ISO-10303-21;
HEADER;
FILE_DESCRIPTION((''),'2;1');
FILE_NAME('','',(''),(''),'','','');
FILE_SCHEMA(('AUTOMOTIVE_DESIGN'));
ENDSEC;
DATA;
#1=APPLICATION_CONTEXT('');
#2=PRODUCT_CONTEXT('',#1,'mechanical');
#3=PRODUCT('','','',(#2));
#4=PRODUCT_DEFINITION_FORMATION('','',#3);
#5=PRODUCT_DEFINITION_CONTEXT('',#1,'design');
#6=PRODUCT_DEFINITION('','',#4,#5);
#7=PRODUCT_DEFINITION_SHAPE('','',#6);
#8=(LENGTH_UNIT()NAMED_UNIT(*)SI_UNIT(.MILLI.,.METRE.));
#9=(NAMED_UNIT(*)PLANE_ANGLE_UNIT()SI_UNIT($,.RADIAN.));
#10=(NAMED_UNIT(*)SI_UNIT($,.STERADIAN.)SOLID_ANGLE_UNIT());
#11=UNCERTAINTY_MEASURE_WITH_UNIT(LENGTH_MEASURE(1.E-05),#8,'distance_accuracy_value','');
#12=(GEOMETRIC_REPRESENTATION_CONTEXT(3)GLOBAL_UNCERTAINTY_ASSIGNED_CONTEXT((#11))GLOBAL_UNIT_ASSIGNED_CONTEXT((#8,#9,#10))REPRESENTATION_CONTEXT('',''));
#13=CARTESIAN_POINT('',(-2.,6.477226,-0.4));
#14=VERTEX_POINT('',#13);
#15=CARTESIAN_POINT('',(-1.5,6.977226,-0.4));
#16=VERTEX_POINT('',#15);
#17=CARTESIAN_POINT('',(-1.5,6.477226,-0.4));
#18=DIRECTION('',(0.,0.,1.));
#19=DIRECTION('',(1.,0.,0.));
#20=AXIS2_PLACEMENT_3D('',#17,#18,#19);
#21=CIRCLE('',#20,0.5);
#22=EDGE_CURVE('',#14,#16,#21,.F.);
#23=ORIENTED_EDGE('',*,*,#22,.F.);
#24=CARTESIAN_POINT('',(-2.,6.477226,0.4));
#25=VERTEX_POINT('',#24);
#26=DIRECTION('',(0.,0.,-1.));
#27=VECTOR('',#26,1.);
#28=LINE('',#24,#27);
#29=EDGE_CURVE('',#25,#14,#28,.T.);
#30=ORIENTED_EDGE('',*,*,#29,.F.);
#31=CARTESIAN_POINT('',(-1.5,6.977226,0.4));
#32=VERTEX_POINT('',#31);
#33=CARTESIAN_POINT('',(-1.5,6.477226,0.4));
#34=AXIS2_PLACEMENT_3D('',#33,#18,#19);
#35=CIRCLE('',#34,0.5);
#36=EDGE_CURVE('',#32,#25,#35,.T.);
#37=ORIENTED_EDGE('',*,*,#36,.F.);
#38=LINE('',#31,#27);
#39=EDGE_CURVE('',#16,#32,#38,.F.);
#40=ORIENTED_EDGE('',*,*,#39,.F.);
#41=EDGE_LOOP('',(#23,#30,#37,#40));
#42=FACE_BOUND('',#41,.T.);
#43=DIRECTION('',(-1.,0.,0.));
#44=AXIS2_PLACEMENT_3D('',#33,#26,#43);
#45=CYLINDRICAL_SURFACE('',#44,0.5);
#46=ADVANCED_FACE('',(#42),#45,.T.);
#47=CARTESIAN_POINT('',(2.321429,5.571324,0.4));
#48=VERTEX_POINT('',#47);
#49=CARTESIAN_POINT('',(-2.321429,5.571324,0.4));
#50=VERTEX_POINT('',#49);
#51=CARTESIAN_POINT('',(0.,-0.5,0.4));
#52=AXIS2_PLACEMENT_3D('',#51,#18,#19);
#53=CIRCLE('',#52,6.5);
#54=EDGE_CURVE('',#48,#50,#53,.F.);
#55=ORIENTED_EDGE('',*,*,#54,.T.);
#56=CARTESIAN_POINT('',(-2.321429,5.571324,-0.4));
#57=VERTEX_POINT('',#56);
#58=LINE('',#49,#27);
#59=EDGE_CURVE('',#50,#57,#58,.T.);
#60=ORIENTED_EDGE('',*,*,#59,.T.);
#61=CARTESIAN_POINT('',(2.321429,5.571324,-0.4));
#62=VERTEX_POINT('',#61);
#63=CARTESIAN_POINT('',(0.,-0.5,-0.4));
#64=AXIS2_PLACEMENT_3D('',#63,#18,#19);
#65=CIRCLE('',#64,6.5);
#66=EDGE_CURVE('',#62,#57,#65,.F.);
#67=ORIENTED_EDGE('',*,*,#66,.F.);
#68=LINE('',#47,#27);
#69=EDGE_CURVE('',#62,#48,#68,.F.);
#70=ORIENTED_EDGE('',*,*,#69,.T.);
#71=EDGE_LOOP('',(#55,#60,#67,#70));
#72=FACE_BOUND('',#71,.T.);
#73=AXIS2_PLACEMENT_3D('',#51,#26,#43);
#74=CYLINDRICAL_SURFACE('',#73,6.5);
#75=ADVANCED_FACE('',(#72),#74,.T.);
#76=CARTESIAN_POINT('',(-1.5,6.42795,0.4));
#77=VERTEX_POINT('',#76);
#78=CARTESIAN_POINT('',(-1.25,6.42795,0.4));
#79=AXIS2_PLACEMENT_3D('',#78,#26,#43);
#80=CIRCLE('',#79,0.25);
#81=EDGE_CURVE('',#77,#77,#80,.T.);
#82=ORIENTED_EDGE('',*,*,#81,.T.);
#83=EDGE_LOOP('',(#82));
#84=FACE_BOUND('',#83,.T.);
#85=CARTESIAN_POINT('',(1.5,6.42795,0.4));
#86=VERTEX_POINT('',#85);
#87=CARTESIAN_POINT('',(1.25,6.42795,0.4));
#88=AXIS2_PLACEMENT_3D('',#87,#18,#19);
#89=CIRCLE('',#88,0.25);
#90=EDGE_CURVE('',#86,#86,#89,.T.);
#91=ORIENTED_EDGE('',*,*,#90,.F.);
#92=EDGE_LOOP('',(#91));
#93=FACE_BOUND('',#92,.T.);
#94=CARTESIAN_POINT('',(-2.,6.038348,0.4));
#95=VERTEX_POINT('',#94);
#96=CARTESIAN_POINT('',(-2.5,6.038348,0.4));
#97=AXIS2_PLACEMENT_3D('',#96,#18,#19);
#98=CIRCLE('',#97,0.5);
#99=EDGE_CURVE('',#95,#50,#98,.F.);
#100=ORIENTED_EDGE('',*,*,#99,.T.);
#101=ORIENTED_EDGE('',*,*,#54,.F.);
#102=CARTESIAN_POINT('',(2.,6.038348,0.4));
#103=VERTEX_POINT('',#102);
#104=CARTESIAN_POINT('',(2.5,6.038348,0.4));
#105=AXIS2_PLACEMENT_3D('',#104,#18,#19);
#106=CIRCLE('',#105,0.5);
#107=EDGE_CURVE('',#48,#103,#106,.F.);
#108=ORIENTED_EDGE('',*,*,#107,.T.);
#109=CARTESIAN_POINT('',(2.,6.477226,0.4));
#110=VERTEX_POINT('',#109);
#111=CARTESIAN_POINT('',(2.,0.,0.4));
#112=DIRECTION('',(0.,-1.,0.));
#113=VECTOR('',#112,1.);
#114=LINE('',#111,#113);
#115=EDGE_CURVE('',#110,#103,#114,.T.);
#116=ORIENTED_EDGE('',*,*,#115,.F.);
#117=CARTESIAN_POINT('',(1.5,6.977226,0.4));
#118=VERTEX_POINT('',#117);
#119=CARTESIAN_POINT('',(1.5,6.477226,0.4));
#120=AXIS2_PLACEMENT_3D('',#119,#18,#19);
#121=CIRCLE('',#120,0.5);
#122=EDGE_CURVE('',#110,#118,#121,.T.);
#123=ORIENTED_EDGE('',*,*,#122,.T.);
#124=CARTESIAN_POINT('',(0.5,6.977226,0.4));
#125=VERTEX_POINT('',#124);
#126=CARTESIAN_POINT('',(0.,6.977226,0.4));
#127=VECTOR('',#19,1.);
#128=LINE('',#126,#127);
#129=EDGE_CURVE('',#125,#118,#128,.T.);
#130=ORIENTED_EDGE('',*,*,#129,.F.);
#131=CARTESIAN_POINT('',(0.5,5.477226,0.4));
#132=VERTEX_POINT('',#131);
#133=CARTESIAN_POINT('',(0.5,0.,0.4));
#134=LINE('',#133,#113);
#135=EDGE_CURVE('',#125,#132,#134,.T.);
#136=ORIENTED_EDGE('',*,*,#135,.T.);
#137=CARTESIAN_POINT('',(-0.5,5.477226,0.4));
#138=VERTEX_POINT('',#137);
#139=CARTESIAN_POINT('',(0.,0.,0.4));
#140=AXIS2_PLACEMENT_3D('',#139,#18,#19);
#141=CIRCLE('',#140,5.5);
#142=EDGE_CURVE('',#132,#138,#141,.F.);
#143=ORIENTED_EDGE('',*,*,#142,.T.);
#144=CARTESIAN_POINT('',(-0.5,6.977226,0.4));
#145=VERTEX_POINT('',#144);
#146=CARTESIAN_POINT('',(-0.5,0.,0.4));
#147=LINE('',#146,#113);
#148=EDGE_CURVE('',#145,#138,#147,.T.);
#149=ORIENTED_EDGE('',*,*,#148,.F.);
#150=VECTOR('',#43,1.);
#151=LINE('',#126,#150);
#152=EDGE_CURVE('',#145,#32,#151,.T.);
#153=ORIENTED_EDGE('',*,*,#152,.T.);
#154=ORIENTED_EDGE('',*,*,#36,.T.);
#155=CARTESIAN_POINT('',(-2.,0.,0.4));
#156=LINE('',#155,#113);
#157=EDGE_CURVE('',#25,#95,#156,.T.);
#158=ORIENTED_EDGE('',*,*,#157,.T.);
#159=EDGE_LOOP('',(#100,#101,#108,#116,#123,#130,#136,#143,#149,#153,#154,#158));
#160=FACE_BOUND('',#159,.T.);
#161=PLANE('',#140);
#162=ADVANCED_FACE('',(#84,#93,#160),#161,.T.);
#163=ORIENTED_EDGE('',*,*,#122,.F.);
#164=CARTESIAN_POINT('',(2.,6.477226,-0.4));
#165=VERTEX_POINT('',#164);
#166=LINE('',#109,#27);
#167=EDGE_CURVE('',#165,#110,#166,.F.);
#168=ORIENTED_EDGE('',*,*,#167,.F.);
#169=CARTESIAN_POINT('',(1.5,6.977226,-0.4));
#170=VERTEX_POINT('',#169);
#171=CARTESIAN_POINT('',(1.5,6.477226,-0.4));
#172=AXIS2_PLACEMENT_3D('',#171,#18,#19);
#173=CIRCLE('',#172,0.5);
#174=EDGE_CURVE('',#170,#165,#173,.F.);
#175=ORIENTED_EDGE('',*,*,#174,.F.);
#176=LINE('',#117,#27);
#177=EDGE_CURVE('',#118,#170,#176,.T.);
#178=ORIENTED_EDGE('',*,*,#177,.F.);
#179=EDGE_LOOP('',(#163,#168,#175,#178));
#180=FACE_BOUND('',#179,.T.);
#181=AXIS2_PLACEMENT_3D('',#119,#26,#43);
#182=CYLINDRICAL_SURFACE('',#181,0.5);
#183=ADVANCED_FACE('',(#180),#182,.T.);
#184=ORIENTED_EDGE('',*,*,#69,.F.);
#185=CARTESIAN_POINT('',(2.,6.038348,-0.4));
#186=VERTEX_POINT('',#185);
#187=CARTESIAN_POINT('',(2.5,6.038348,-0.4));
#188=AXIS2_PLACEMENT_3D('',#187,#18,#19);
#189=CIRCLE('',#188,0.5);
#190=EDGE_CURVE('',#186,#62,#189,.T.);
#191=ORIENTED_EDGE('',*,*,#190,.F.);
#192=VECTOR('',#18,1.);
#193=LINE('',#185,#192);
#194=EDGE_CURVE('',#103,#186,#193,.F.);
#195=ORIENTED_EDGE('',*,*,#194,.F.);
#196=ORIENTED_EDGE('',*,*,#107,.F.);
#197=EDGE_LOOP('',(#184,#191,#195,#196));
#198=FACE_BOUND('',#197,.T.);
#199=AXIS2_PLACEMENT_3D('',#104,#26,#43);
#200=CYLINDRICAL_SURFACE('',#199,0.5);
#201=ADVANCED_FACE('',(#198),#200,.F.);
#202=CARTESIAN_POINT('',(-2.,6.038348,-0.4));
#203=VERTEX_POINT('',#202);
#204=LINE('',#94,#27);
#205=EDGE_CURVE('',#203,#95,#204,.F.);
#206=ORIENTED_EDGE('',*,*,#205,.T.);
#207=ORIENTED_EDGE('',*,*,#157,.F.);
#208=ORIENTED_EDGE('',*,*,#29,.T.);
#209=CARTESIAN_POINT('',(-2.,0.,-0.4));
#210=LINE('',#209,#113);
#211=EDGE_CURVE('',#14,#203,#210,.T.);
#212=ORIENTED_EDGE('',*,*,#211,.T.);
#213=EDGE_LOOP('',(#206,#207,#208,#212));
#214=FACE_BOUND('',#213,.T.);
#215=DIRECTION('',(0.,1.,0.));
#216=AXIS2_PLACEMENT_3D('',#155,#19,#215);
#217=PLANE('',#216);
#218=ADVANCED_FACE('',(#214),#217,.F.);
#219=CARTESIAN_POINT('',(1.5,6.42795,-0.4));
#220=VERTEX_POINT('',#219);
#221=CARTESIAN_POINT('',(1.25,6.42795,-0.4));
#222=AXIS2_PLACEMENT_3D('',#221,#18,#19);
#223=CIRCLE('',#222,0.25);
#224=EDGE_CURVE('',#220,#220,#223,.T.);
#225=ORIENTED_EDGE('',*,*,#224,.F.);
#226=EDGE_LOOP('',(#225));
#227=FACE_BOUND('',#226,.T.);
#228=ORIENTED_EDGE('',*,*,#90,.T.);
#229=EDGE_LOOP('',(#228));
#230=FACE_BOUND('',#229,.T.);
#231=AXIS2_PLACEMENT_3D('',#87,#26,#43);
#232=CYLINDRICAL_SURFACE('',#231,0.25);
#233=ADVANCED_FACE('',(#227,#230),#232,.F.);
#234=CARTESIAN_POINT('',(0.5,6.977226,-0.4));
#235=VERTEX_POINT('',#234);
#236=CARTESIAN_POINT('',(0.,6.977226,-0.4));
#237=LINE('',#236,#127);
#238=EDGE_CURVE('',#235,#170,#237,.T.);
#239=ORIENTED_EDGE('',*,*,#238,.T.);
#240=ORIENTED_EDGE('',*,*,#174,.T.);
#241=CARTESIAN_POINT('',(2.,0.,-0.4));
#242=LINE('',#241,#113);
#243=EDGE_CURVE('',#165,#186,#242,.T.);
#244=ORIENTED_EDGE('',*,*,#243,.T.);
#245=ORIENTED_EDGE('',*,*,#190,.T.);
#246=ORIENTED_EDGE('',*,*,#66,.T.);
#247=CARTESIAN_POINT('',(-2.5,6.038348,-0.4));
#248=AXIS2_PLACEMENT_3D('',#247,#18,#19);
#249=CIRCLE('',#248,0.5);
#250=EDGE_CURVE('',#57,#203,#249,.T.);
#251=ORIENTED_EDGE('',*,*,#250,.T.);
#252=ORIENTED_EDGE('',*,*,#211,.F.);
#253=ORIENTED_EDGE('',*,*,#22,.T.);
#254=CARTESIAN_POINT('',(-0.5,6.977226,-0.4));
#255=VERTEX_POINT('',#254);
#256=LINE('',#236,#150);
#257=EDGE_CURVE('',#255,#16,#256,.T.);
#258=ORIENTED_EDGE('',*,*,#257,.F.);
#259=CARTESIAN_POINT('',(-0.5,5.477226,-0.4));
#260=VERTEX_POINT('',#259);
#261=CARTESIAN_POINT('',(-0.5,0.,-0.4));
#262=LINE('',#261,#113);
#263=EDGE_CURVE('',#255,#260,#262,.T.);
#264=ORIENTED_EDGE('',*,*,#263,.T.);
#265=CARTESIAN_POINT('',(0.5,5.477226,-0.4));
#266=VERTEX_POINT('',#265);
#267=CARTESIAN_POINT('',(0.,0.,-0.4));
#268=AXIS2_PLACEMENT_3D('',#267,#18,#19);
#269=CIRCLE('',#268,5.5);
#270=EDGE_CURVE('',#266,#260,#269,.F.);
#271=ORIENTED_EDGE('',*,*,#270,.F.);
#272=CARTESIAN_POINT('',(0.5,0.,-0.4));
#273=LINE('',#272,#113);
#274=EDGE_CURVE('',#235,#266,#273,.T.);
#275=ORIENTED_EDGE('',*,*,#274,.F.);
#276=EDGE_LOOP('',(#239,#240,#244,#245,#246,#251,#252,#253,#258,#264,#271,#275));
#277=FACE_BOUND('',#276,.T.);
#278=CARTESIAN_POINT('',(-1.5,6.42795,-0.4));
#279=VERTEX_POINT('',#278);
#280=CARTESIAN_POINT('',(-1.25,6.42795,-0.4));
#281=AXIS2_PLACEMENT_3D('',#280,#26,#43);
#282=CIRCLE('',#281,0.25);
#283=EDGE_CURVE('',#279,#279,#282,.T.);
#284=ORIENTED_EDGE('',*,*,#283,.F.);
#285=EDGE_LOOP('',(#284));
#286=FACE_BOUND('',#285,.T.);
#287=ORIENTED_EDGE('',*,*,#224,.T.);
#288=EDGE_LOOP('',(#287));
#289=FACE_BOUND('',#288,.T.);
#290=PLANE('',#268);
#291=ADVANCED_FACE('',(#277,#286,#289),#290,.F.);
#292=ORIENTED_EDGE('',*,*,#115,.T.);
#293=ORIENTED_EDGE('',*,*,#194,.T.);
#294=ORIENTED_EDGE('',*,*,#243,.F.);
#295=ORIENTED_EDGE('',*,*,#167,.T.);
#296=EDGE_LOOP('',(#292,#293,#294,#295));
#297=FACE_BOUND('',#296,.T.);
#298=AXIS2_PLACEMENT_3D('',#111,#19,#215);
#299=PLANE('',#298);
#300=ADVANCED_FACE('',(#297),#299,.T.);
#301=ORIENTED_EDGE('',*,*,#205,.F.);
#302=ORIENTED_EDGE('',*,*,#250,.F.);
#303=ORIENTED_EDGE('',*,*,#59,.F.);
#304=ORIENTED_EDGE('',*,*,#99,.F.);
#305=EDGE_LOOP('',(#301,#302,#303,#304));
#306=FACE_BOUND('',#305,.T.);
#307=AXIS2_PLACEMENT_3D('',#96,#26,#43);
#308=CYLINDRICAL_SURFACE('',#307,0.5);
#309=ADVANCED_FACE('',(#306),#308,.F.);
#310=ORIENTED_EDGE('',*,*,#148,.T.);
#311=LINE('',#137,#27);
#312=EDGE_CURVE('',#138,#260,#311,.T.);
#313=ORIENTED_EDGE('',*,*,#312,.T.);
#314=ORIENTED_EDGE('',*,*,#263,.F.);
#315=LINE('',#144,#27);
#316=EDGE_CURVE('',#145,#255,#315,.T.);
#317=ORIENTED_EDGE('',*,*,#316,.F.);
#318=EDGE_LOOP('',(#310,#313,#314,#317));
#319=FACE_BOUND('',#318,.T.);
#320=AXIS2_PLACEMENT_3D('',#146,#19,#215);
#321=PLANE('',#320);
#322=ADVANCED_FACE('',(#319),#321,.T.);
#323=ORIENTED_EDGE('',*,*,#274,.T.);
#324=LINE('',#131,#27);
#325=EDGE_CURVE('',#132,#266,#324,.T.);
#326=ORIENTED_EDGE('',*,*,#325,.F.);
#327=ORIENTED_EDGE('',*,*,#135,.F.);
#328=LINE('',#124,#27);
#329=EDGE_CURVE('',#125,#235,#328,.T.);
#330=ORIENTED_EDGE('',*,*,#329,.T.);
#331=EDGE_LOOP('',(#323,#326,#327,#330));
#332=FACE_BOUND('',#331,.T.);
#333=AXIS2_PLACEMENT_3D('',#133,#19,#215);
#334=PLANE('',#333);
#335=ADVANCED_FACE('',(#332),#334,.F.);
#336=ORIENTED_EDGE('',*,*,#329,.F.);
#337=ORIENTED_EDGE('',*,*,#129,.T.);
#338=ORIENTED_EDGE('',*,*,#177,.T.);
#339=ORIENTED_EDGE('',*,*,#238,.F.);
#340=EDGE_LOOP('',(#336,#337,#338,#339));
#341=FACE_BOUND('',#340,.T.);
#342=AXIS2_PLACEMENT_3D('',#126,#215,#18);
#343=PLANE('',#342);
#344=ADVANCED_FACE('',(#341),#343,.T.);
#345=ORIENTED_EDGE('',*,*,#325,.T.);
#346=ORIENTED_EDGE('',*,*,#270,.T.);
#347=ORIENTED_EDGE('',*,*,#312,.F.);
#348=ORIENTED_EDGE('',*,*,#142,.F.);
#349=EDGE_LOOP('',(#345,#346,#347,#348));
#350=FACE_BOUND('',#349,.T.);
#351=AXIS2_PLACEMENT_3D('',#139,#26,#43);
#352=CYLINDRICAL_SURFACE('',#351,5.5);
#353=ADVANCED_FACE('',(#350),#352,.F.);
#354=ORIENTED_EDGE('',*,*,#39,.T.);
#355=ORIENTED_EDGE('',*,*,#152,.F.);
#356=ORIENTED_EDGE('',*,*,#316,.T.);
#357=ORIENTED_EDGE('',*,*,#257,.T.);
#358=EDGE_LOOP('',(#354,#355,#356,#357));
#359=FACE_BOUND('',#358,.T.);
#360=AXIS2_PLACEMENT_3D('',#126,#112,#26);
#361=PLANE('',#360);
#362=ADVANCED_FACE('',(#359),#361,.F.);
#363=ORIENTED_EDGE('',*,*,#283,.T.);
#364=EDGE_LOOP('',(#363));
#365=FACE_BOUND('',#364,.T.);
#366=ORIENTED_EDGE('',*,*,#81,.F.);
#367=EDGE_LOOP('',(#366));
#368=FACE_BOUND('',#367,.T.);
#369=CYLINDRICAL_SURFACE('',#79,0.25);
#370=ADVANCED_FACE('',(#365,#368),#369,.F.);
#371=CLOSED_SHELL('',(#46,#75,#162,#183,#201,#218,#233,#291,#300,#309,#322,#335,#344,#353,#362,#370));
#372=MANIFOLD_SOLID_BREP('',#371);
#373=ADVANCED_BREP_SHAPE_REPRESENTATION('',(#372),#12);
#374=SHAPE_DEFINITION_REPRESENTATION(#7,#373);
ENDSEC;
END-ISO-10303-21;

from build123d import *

# Parameters (mm, degrees)
SKETCH_1_R             = 0.25
EXTRUDE_1_DEPTH        = 0.4
FILLET_1_R             = 0.5
FILLET_1_OF_MIRROR_1_R = 0.5


with BuildPart() as part:
    # Эскиз1 → Бобышка-Вытянуть1 (new body, symmetric)
    with BuildSketch(Plane.XY):
        with BuildLine():
            Line((2, 6.977225575), (0.5, 6.977225575))
            Line((0.5, 6.977225575), (0.5, 5.980740698))
            ThreePointArc((0.5, 5.980740698), (1.258735944, 5.876957254), (2, 5.684658438))
            Line((2, 5.684658438), (2, 6.977225575))
        make_face()
        with Locations((1.25, 6.427950493)):
            Circle(SKETCH_1_R, mode=Mode.SUBTRACT)
        with BuildLine():
            ThreePointArc((2, 5.684658438), (1.258735944, 5.876957254), (0.5, 5.980740698))
            Line((0.5, 5.980740698), (0.5, 5.477225575))
            ThreePointArc((0.5, 5.477225575), (5.494303444, -0.250259203), (0, -5.5))
            Line((0, -5.5), (0, -7))
            ThreePointArc((0, -7), (6.420680643, -1.51235373), (2, 5.684658438))
        make_face()
    extrude_1 = extrude(amount=EXTRUDE_1_DEPTH, both=True)

    # Скругление1
    fillet_1_edges = [part.edges().sort_by_distance(p)[0] for p in [
        (2, 6.977225575, 0),
        (2, 5.684658438, 0),
    ]]
    fillet(fillet_1_edges, radius=FILLET_1_R)

    # Зеркальное отражение1: Бобышка-Вытянуть1 across plane
    add(extrude_1.mirror(Plane(origin=(0, 0, 0.4), x_dir=(0, 0, 1), z_dir=(1, 0, 0))))

    # Скругление1 of Зеркальное отражение1
    fillet_1_of_mirror_1_edges = [part.edges().sort_by_distance(p)[0] for p in [
        (-2, 6.977225575, 0),
        (-2, 5.684658438, 0),
    ]]
    fillet(fillet_1_of_mirror_1_edges, radius=FILLET_1_OF_MIRROR_1_R)


solid = part.part
